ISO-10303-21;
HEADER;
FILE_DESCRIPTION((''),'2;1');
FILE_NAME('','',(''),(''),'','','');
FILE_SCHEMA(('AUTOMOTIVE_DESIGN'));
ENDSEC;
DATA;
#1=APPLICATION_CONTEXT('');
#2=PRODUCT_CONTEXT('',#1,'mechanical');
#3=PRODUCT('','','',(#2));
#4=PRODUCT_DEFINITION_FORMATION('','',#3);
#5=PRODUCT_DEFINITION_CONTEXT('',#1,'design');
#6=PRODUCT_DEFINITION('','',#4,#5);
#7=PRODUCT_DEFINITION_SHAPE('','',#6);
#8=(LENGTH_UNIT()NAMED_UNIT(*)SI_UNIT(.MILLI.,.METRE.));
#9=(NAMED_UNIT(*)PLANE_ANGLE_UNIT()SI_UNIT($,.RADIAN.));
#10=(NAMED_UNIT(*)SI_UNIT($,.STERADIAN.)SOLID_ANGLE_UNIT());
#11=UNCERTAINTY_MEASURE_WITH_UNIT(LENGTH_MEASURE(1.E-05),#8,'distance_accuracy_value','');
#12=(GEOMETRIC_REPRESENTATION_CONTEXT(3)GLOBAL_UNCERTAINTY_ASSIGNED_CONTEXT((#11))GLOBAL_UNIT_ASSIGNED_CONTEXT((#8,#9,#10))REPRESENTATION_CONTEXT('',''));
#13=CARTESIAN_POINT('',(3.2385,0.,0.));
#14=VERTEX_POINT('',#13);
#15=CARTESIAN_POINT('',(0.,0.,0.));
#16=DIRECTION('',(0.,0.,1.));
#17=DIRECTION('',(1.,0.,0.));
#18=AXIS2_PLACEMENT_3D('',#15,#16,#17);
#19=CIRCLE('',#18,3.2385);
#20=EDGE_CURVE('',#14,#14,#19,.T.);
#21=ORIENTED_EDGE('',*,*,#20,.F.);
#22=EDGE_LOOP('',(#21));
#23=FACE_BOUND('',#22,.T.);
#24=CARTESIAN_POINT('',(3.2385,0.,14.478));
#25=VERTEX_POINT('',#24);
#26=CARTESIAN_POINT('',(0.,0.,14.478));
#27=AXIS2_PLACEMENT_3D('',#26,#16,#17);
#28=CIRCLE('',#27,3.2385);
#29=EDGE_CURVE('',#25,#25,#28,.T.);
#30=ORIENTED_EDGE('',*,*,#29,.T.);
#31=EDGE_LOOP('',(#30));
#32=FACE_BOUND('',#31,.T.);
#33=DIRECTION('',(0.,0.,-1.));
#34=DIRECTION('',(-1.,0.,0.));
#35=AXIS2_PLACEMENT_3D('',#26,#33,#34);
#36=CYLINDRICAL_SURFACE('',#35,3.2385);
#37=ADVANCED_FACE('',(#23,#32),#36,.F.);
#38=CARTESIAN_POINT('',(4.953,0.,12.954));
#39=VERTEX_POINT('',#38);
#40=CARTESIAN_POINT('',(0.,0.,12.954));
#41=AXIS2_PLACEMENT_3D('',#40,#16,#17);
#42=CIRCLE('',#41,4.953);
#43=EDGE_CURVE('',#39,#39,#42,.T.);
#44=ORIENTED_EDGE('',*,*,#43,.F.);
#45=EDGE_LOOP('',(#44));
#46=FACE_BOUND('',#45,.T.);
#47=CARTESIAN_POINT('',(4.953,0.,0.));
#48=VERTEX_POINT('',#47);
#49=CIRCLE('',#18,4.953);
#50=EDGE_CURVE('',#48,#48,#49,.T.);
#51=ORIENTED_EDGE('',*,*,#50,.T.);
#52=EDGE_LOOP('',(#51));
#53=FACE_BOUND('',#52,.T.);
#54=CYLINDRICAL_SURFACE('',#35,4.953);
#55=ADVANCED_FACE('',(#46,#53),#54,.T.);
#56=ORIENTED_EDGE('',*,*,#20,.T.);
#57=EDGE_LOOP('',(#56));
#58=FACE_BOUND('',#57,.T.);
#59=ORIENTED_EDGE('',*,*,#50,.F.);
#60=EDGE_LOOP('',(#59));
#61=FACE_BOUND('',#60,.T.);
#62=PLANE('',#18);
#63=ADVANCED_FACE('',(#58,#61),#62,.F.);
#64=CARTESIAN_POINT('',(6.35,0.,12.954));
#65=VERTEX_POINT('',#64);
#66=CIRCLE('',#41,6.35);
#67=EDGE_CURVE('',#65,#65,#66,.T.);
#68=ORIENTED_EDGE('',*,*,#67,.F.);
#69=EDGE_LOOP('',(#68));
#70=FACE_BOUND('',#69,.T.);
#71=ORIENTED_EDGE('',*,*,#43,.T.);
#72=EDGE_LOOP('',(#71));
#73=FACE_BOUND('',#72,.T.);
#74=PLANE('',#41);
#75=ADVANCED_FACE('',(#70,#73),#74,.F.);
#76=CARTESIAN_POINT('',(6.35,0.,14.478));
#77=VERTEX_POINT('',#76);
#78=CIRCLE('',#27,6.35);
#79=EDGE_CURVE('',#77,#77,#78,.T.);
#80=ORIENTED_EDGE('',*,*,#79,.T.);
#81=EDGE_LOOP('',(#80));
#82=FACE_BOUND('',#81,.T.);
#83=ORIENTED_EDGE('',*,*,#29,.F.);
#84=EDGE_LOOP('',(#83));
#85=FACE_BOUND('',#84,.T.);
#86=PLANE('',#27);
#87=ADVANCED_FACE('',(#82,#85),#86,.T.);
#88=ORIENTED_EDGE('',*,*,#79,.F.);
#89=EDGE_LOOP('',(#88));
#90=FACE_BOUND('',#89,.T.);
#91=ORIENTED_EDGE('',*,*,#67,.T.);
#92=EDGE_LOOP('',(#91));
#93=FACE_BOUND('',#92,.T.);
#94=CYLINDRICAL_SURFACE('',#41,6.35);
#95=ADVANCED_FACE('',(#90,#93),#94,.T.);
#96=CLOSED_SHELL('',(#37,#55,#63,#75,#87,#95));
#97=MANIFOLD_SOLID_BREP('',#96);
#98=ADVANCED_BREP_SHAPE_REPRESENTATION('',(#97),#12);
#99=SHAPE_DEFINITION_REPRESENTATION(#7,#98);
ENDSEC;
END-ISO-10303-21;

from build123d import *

# Parameters (mm, degrees)
SKETCH1_R           = 4.953
SKETCH1_R_2         = 3.2385
BOSS_EXTRUDE1_DEPTH = 14.478
SKETCH2_R           = 6.35
SKETCH2_R_2         = 3.2385
BOSS_EXTRUDE2_DEPTH = 1.524


with BuildPart() as part:
    # Sketch1 → Boss-Extrude1 (new body)
    with BuildSketch(Plane.XY):
        Circle(SKETCH1_R)
        Circle(SKETCH1_R_2, mode=Mode.SUBTRACT)
    extrude(amount=BOSS_EXTRUDE1_DEPTH)

    # Sketch2 → Boss-Extrude2 (add)
    with BuildSketch(Plane.XY.offset(14.478)):
        Circle(SKETCH2_R)
        Circle(SKETCH2_R_2, mode=Mode.SUBTRACT)
    extrude(amount=-BOSS_EXTRUDE2_DEPTH)


solid = part.part
